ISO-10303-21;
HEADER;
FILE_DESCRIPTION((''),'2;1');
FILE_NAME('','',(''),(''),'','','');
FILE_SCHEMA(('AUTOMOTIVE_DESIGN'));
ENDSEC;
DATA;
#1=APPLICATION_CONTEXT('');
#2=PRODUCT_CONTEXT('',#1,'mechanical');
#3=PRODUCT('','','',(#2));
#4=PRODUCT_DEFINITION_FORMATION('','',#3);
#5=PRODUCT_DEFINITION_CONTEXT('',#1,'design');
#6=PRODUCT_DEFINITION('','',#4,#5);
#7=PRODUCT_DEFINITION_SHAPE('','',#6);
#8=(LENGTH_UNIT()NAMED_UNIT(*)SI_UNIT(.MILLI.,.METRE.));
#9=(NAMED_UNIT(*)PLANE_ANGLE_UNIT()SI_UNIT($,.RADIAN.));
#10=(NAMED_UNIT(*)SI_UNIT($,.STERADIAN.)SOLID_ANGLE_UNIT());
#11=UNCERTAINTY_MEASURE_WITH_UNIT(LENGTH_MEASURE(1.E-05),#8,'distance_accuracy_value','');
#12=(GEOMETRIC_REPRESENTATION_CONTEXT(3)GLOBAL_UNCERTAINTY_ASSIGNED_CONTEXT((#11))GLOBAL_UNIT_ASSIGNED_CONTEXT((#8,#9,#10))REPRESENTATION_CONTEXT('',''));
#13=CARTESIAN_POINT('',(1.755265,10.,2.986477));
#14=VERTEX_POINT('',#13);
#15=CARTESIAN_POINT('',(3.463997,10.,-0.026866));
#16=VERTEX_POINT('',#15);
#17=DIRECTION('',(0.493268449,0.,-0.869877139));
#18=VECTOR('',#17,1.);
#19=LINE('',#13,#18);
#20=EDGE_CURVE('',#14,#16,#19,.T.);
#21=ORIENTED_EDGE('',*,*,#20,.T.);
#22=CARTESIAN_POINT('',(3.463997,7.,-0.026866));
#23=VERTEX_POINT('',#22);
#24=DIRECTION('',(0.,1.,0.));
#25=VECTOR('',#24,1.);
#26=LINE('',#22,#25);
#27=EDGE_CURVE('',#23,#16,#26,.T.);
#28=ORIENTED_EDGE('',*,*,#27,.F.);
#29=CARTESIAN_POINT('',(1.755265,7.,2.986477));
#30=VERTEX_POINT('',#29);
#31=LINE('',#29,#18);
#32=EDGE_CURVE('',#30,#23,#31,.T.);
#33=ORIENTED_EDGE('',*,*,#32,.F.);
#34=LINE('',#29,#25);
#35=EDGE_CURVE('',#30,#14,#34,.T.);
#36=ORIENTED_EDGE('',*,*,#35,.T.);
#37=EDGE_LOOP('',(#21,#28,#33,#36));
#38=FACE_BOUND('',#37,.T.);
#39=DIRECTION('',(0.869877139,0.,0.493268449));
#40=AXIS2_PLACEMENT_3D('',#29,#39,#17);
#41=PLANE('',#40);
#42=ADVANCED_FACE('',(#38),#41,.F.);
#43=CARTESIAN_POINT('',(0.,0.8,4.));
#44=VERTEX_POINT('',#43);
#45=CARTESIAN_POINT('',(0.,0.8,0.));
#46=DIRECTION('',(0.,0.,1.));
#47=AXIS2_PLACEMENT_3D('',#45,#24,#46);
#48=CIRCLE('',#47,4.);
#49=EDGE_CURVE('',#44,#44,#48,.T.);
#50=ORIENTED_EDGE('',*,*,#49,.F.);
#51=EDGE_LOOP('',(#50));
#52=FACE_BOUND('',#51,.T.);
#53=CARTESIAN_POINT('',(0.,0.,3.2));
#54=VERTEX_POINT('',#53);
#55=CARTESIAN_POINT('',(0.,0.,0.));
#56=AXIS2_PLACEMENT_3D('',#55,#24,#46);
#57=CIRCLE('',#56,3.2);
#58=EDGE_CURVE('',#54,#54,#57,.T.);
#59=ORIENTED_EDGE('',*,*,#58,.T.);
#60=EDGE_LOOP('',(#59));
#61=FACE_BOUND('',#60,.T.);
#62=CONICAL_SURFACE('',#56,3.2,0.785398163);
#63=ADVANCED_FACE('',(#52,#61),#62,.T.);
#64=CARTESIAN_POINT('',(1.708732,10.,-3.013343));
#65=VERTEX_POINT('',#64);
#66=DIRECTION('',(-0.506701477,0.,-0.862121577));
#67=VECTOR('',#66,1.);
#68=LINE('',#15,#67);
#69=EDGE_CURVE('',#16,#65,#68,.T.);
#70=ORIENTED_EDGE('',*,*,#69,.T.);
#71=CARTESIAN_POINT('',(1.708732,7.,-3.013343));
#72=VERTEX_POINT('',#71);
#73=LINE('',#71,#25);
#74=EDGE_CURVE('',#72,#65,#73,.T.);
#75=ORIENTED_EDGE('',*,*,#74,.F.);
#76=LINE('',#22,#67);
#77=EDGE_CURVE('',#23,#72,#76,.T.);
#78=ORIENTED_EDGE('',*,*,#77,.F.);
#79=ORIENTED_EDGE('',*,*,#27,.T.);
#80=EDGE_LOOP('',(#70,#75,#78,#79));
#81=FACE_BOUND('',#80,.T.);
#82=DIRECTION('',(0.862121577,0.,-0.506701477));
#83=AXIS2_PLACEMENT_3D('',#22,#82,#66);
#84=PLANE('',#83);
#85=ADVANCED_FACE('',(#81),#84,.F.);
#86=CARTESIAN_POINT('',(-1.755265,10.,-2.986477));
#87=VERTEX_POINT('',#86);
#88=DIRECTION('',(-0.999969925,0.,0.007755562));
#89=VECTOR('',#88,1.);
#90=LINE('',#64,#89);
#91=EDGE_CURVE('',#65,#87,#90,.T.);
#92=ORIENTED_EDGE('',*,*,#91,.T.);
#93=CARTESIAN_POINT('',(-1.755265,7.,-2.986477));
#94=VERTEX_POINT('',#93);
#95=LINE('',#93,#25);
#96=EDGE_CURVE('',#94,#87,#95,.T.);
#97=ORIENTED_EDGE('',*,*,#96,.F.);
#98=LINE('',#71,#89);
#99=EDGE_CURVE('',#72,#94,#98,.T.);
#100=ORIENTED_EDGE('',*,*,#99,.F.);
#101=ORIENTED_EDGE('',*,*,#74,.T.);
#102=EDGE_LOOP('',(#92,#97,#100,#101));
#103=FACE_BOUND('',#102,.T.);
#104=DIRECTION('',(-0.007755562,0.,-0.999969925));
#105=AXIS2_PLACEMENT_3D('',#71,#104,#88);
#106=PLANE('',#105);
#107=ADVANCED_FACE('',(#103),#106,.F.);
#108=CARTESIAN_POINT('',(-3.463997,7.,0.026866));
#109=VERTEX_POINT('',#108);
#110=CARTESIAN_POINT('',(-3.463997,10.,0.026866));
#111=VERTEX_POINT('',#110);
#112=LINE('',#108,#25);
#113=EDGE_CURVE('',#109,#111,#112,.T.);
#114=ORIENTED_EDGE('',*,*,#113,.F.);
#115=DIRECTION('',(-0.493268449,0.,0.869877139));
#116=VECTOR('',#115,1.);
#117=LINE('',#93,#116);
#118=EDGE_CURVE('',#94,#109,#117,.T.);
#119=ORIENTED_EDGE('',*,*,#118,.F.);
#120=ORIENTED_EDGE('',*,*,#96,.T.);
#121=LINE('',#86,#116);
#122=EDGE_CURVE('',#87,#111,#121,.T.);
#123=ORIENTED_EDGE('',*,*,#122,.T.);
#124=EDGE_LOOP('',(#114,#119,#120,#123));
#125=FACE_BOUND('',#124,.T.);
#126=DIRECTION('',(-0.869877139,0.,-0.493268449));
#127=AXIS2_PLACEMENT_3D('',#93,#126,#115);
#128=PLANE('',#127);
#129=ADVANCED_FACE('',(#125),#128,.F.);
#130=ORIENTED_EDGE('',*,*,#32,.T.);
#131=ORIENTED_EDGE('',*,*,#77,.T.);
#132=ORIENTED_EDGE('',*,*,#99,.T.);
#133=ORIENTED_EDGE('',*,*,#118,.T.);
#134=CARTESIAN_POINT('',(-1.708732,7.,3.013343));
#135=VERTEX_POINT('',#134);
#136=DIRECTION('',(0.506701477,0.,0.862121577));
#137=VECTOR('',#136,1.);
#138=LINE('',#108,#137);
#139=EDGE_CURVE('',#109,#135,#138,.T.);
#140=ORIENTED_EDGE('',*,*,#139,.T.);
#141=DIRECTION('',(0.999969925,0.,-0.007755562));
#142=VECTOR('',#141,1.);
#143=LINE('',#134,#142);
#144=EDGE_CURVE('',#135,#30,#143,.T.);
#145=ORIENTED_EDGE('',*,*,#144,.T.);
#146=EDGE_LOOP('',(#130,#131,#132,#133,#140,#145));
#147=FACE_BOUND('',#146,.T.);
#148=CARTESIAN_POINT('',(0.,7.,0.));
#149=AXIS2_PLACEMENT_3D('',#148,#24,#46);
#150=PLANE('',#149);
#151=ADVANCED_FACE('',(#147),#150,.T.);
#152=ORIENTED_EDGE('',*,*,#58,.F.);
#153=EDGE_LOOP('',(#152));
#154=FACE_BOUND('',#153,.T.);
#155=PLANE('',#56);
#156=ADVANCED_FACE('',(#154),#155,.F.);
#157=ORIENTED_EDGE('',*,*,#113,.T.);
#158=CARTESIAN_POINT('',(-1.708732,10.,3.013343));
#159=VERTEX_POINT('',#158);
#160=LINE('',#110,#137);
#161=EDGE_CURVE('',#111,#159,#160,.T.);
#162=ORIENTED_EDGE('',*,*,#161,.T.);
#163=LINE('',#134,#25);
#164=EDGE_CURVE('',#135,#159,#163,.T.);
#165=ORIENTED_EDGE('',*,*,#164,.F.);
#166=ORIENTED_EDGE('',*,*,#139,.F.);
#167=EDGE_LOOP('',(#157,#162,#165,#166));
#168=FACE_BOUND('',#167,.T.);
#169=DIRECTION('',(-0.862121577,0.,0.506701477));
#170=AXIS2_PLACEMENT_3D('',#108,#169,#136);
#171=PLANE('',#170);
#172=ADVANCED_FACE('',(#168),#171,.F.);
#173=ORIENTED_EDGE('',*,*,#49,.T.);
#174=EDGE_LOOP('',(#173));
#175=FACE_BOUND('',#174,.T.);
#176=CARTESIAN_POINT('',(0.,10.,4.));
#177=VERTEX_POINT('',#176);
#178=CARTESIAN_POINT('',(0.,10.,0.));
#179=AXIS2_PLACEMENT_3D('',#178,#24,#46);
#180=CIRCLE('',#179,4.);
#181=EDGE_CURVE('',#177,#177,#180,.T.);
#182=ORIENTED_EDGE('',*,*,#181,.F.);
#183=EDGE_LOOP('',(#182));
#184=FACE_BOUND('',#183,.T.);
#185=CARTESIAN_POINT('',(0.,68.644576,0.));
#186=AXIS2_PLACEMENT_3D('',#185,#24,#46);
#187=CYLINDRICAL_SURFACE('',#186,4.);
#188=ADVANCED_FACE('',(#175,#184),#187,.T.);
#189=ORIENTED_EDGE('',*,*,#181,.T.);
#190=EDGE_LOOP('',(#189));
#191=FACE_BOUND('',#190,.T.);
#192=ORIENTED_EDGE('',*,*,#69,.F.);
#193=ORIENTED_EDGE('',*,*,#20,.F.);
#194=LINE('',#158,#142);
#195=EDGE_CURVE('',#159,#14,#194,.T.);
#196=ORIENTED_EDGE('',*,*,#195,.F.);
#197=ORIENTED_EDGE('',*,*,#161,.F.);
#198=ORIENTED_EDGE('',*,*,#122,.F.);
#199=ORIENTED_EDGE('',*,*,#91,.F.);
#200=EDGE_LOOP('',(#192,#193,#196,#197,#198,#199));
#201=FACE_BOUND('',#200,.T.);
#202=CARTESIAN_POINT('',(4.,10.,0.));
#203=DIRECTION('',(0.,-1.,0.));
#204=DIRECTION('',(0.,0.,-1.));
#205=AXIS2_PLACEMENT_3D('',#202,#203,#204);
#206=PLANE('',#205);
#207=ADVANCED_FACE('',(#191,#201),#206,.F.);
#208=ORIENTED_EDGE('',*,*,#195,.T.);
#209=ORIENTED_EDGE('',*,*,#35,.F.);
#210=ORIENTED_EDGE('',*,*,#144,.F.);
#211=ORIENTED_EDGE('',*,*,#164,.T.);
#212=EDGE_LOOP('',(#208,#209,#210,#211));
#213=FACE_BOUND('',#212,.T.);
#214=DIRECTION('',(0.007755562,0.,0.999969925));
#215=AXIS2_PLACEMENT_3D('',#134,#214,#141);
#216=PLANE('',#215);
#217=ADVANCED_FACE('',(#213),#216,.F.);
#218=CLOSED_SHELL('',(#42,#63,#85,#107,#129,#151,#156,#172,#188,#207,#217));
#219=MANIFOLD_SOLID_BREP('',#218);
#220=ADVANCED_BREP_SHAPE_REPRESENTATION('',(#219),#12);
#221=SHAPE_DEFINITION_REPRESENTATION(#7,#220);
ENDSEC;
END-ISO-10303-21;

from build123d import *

# Parameters (mm, degrees)
CUT_EXTRUDE_1_DEPTH = 3


with BuildPart() as part:
    # Эскиз1 → Повернуть1 (revolve)
    with BuildSketch(Plane.XY):
        Polygon((0, 0), (3.2, 0), (4, 0.8), (4, 10), (0, 10), align=None)
    revolve(axis=Axis((0, 68.644575989, 0), (0, -1, 0)))

    # Эскиз2 → Вырез-Вытянуть1 (cut)
    with BuildSketch(Plane(origin=(0, 10, 0), x_dir=(1, 0, 0), z_dir=(0, 1, 0))):
        Polygon((1.755265403, -2.986476748), (3.463997433, 0.026866056), (1.708732029, 3.013342804), (-1.755265403, 2.986476748), (-3.463997433, -0.026866056), (-1.708732029, -3.013342804), align=None)
    extrude(amount=-CUT_EXTRUDE_1_DEPTH, mode=Mode.SUBTRACT)


solid = part.part
